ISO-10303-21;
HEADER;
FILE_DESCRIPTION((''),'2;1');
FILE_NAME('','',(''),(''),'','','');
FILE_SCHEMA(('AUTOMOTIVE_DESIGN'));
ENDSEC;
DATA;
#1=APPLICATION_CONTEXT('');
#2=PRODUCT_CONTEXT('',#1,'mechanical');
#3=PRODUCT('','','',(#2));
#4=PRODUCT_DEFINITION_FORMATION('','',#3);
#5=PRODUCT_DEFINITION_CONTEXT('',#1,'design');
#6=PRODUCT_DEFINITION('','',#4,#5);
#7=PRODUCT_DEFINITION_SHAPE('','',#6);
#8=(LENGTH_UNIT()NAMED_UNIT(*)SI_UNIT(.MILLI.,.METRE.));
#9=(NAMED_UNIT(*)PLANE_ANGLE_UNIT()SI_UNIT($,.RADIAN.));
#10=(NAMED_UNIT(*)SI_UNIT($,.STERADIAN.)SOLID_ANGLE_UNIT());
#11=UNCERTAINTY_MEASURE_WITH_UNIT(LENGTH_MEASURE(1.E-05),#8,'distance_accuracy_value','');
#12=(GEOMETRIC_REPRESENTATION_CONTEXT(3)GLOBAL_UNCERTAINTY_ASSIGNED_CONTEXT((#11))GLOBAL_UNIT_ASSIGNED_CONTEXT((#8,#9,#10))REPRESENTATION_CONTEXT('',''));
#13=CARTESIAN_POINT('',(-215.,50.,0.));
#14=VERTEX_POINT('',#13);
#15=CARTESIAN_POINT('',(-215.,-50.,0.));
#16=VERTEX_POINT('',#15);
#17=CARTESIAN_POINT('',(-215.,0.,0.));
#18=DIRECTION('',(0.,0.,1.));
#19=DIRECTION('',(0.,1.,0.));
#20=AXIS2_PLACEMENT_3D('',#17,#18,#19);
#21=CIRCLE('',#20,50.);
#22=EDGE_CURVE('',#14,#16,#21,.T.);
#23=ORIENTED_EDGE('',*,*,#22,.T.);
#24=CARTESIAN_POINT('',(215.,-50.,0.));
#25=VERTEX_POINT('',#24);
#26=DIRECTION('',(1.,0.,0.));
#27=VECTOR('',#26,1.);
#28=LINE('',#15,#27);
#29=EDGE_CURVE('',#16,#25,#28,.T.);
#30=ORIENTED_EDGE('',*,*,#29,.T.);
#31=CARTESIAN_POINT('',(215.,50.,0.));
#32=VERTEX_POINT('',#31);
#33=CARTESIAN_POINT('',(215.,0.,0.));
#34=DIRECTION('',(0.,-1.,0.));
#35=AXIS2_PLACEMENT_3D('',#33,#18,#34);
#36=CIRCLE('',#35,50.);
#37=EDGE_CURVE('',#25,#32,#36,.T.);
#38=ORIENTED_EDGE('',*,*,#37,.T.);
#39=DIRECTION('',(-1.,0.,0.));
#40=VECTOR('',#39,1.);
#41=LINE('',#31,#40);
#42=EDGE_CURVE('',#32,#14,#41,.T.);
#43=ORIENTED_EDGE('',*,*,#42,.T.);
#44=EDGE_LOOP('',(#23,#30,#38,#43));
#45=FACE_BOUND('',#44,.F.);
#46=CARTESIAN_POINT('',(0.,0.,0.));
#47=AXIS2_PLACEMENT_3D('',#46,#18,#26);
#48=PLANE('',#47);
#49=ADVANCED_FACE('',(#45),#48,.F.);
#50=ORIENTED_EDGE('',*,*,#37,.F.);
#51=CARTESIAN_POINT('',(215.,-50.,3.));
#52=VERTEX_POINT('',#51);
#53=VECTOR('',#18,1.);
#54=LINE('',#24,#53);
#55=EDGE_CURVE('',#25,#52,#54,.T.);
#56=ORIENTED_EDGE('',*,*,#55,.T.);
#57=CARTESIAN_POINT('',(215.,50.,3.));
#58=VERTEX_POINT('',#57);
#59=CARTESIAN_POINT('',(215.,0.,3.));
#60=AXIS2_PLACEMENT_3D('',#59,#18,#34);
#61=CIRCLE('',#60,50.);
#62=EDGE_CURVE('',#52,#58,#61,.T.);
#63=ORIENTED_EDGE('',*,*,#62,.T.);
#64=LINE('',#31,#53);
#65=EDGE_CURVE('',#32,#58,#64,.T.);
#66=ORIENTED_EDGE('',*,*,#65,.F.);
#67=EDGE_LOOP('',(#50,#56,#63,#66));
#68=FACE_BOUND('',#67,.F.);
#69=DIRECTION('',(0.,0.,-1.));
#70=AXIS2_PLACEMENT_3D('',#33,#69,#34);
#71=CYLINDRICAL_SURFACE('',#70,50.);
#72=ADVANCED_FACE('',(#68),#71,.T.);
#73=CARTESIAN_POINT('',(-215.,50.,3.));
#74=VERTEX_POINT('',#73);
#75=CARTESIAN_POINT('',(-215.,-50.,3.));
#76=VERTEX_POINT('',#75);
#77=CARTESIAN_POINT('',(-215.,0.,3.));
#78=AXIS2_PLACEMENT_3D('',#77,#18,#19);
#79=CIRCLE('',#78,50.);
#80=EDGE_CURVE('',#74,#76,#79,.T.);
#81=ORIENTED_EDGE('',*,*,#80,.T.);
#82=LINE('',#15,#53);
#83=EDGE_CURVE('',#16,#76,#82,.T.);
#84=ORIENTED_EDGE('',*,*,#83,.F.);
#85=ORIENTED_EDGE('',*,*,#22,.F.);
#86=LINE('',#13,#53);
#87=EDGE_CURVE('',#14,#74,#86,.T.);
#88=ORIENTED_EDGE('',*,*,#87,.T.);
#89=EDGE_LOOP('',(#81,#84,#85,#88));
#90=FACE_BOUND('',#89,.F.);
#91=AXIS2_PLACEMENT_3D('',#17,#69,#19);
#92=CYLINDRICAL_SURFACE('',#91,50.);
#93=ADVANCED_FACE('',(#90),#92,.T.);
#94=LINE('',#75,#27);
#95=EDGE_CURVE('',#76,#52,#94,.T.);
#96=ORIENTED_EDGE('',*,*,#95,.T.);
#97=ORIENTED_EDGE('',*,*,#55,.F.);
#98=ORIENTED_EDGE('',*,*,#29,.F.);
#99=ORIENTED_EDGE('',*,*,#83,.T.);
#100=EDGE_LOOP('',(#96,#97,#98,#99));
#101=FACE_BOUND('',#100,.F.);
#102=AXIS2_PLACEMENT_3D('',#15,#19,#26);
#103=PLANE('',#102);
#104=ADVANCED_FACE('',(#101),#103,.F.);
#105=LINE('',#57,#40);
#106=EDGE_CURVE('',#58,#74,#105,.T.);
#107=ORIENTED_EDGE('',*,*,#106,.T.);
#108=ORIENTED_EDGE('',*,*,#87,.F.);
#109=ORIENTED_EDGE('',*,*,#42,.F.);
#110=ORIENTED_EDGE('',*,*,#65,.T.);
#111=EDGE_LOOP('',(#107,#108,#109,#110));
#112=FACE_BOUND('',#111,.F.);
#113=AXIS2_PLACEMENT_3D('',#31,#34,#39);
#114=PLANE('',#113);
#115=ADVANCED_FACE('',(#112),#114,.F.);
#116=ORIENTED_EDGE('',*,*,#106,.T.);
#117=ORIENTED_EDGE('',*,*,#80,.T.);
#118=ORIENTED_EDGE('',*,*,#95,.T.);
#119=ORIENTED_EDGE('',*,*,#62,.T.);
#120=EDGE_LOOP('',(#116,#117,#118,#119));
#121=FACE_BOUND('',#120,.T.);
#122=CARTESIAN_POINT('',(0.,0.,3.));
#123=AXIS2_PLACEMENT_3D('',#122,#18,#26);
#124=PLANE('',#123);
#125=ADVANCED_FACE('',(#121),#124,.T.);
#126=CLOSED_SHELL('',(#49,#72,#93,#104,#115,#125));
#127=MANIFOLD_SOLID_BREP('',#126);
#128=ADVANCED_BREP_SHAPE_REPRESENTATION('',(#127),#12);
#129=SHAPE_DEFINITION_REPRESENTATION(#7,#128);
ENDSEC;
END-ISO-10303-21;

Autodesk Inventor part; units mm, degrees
ref_plane "YZ Plane" through (0, 0, 0) normal (1, 0, 0) x (0, 1, 0)
ref_plane "XZ Plane" through (0, 0, 0) normal (0, 1, 0) x (-1, 0, 0)
ref_plane "XY Plane" through (0, 0, 0) normal (0, 0, 1) x (1, 0, 0)
sketch "Sketch1" plane through (0, 0, 0) normal (0, 0, 1) x (1, 0, 0)
  line L0 (-215, -50) -> (215, -50)
  line L1 (215, 50) -> (-215, 50)
  arc A0 (215, -50) -> (215, 50) centre (215, 0) ccw
  arc A1 (-215, 50) -> (-215, -50) centre (-215, 0) ccw
  point P0 (0, 0)
  dimension "d2" = 530
  dimension "d3" = 100
extrude "Extrusion1" add sketch "Sketch1" along normal blind 3
properties part number "FrontFender"
